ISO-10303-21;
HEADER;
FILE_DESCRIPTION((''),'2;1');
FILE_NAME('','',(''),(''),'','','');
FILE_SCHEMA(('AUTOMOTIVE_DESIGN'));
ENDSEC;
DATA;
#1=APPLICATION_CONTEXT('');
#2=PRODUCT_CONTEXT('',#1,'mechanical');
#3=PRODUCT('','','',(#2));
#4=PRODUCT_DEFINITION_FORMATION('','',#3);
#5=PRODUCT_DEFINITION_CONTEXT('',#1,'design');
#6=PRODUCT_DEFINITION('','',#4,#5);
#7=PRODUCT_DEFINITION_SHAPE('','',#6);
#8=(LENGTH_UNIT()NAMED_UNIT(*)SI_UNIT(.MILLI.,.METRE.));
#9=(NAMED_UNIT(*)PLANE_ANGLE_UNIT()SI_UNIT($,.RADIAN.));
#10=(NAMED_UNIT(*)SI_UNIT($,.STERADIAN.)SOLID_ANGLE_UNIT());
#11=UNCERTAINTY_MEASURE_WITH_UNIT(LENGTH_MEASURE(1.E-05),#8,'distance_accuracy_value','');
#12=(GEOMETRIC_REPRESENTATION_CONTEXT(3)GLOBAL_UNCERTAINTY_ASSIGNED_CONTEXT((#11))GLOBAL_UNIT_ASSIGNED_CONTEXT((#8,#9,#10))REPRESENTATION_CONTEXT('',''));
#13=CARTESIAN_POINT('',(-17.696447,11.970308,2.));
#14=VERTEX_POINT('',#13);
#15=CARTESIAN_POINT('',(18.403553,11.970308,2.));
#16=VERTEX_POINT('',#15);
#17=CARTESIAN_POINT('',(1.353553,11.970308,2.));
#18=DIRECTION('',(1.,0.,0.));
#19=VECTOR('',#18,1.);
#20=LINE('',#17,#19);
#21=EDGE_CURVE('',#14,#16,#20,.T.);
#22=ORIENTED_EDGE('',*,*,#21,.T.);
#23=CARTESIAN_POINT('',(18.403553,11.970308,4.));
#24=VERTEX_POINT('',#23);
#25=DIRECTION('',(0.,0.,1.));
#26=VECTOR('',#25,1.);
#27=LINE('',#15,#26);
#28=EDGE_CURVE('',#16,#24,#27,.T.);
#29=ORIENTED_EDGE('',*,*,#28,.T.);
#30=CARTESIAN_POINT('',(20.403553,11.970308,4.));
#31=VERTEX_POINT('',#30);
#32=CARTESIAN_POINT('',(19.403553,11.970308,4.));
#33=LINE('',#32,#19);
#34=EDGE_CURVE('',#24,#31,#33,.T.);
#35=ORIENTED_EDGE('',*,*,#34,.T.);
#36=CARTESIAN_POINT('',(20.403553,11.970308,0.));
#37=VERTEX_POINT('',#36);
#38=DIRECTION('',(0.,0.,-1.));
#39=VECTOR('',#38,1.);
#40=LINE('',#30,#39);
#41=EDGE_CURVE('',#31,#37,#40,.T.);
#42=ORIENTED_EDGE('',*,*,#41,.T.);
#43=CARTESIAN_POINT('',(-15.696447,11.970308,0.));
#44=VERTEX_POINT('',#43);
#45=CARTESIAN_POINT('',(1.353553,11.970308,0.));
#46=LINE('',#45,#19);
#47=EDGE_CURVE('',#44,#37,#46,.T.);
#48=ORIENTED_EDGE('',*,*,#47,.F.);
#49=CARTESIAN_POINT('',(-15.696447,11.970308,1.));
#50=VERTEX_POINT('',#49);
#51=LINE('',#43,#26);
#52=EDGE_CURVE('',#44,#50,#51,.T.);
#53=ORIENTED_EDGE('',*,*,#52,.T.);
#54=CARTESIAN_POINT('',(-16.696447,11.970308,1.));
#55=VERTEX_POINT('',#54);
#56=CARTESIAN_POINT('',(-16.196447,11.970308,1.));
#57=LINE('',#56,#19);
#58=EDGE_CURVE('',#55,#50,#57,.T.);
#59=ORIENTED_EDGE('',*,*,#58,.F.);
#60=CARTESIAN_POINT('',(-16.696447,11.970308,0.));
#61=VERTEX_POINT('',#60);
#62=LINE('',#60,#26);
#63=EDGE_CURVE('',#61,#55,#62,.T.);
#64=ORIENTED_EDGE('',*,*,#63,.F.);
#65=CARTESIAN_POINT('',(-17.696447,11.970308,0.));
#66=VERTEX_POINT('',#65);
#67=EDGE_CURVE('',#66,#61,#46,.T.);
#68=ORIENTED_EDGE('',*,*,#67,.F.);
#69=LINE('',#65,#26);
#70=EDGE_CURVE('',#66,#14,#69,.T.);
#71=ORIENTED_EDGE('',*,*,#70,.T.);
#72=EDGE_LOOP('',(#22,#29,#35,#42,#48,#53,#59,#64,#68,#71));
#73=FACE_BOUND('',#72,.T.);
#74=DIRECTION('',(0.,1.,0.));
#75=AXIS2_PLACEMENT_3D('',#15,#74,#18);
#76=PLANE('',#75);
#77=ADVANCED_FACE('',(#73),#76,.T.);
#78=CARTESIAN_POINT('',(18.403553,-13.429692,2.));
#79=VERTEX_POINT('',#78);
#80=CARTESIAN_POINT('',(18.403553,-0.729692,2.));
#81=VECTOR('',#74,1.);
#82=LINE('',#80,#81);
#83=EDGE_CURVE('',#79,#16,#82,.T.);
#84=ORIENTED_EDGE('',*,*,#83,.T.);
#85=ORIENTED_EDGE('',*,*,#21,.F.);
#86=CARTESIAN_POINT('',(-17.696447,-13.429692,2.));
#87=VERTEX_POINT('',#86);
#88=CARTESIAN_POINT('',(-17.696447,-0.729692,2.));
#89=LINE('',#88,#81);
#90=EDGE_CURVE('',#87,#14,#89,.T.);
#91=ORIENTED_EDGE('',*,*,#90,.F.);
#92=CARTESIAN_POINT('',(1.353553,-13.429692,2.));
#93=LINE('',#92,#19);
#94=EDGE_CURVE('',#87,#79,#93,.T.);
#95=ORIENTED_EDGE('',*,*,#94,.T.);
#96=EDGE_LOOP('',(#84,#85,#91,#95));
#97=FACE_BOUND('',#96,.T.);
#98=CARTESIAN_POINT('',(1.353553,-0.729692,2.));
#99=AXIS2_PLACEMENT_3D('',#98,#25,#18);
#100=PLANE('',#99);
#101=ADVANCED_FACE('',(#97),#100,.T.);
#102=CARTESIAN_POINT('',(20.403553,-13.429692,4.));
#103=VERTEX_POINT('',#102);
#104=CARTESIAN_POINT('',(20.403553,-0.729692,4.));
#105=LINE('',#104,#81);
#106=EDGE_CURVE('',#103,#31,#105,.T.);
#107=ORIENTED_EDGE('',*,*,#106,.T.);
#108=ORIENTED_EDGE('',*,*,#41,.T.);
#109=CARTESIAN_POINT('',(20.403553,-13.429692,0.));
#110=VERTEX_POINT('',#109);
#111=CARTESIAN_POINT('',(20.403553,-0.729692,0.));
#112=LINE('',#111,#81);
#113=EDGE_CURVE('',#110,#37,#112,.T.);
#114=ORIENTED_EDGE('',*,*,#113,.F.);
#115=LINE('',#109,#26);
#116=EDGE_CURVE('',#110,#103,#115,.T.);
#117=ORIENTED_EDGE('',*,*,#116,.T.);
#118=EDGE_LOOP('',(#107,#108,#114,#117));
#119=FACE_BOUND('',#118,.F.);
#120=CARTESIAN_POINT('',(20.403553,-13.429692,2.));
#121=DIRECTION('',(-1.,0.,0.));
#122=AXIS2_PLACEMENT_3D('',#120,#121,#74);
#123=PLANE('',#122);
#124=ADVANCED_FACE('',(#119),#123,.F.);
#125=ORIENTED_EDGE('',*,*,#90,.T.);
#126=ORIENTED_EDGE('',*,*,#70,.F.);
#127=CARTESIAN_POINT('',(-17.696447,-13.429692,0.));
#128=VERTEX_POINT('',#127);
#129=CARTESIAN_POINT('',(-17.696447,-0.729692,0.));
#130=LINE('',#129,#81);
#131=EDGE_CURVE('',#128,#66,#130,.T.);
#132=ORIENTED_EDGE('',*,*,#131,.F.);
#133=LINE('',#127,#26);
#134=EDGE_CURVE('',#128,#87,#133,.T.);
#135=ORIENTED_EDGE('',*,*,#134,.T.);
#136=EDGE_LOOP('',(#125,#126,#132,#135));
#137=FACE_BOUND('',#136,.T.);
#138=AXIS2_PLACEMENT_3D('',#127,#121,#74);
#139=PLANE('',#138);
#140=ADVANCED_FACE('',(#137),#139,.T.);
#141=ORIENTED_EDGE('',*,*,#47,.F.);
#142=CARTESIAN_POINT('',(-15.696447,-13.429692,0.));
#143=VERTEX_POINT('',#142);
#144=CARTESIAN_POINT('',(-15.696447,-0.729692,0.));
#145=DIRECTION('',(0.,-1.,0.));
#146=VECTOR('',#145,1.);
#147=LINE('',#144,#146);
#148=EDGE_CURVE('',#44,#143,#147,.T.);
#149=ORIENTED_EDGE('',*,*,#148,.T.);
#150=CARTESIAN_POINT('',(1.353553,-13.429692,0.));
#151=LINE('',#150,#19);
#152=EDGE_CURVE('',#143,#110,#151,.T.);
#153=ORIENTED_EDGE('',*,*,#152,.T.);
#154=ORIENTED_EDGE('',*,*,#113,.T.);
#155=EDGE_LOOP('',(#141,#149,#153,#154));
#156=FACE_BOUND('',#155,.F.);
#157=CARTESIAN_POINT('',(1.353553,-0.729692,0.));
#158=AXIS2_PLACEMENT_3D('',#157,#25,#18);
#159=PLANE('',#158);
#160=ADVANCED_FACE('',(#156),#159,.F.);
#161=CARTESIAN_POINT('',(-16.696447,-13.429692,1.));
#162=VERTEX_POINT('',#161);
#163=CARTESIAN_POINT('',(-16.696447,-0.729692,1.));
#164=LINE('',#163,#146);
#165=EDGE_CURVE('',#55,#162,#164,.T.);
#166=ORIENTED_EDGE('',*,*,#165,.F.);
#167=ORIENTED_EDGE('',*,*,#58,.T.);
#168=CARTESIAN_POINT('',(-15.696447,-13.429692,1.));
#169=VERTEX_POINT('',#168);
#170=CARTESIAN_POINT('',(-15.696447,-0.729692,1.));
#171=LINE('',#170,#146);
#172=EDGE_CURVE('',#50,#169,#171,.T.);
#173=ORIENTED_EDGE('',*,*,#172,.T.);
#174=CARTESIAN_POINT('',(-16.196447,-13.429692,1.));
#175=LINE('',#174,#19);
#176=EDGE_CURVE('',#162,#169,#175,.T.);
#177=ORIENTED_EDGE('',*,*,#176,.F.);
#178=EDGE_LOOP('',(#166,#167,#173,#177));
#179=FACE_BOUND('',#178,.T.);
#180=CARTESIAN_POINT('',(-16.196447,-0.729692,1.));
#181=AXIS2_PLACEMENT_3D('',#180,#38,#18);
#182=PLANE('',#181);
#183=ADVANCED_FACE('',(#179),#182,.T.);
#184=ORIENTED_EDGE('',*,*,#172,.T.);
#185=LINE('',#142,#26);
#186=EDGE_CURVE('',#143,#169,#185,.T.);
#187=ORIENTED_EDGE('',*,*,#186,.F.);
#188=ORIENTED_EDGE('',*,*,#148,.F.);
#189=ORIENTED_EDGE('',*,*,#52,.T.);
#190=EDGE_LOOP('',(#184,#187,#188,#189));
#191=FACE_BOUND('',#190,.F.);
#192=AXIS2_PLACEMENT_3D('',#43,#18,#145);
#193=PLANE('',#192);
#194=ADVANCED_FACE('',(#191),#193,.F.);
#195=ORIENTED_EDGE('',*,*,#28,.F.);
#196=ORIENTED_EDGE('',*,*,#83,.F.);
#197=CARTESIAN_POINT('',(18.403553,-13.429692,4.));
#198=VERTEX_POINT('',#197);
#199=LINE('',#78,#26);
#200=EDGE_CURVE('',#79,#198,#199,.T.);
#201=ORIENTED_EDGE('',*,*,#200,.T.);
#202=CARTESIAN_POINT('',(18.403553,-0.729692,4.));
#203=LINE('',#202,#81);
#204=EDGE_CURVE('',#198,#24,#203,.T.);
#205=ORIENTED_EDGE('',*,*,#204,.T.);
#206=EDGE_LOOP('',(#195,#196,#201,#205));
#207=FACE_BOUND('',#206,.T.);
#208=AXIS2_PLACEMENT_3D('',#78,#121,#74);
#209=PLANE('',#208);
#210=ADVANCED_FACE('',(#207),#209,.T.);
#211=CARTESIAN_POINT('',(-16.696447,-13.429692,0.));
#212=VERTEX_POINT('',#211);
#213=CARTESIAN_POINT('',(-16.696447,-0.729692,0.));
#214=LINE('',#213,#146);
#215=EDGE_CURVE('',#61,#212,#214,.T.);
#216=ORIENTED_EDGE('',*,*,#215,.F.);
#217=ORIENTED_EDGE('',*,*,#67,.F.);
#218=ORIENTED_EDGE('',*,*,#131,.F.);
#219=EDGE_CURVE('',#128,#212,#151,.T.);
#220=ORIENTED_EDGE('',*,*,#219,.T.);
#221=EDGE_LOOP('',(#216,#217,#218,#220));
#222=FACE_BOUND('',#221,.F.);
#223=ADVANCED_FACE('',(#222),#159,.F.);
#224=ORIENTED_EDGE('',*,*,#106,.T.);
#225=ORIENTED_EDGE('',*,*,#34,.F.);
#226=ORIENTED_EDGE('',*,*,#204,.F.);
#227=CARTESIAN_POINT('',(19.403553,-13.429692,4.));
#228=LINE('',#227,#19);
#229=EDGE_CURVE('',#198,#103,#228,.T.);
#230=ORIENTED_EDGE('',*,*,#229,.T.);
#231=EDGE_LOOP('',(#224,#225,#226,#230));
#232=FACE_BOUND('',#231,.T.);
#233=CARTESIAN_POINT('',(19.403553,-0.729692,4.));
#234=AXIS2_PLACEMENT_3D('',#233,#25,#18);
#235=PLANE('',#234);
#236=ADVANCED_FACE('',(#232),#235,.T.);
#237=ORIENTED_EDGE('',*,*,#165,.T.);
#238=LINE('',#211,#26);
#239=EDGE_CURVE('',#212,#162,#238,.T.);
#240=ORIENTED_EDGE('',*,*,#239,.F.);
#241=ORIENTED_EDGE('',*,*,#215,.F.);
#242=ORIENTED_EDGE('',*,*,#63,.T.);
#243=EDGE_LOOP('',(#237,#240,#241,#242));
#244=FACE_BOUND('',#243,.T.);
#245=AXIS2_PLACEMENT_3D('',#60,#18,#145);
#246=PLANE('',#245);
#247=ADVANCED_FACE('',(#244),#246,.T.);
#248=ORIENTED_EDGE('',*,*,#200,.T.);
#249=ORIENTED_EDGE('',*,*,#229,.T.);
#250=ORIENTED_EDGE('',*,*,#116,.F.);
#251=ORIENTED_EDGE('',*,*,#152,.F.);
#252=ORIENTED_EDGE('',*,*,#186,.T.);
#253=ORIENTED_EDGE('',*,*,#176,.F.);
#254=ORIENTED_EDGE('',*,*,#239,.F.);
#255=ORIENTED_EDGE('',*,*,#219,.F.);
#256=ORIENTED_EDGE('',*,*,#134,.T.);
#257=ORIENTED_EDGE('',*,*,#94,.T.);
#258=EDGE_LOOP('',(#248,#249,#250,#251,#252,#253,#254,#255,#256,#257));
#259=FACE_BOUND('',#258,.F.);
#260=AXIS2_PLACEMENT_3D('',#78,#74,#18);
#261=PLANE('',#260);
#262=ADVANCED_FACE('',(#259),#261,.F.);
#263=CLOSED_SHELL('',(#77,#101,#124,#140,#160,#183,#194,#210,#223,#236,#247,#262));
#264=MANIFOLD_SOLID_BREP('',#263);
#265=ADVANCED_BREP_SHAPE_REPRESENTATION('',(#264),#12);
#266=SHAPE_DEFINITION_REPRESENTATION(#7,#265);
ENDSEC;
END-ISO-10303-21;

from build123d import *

# Parameters (mm, degrees)
F0_W     = 38.1
F0_H     = 25.4
F1_DEPTH = 2
F2_W     = 2
F2_H     = 25.4
F3_DEPTH = 2
F4_W     = 1
F4_H     = 25.4
F5_DEPTH = 1


with BuildPart() as f1:
    # F0 (on Top) → F1 (new body)
    with BuildSketch(Plane.XY):
        with Locations((1.353553, -0.729692)):
            Rectangle(F0_W, F0_H)
    extrude(amount=F1_DEPTH)

    # F2 (on face) → F3 (join)
    with BuildSketch(Plane.XY.offset(2)):
        with Locations((19.403553, -0.729692)):
            Rectangle(F2_W, F2_H)
    extrude(amount=F3_DEPTH)

    # F4 (on face) → F5 (cut)
    with BuildSketch(Plane(origin=(0, 0, 0), x_dir=(1, 0, 0), z_dir=(0, 0, -1))):
        with Locations((-16.196447, 0.729692)):
            Rectangle(F4_W, F4_H)
    extrude(amount=-F5_DEPTH, mode=Mode.SUBTRACT)


solid = f1.part
